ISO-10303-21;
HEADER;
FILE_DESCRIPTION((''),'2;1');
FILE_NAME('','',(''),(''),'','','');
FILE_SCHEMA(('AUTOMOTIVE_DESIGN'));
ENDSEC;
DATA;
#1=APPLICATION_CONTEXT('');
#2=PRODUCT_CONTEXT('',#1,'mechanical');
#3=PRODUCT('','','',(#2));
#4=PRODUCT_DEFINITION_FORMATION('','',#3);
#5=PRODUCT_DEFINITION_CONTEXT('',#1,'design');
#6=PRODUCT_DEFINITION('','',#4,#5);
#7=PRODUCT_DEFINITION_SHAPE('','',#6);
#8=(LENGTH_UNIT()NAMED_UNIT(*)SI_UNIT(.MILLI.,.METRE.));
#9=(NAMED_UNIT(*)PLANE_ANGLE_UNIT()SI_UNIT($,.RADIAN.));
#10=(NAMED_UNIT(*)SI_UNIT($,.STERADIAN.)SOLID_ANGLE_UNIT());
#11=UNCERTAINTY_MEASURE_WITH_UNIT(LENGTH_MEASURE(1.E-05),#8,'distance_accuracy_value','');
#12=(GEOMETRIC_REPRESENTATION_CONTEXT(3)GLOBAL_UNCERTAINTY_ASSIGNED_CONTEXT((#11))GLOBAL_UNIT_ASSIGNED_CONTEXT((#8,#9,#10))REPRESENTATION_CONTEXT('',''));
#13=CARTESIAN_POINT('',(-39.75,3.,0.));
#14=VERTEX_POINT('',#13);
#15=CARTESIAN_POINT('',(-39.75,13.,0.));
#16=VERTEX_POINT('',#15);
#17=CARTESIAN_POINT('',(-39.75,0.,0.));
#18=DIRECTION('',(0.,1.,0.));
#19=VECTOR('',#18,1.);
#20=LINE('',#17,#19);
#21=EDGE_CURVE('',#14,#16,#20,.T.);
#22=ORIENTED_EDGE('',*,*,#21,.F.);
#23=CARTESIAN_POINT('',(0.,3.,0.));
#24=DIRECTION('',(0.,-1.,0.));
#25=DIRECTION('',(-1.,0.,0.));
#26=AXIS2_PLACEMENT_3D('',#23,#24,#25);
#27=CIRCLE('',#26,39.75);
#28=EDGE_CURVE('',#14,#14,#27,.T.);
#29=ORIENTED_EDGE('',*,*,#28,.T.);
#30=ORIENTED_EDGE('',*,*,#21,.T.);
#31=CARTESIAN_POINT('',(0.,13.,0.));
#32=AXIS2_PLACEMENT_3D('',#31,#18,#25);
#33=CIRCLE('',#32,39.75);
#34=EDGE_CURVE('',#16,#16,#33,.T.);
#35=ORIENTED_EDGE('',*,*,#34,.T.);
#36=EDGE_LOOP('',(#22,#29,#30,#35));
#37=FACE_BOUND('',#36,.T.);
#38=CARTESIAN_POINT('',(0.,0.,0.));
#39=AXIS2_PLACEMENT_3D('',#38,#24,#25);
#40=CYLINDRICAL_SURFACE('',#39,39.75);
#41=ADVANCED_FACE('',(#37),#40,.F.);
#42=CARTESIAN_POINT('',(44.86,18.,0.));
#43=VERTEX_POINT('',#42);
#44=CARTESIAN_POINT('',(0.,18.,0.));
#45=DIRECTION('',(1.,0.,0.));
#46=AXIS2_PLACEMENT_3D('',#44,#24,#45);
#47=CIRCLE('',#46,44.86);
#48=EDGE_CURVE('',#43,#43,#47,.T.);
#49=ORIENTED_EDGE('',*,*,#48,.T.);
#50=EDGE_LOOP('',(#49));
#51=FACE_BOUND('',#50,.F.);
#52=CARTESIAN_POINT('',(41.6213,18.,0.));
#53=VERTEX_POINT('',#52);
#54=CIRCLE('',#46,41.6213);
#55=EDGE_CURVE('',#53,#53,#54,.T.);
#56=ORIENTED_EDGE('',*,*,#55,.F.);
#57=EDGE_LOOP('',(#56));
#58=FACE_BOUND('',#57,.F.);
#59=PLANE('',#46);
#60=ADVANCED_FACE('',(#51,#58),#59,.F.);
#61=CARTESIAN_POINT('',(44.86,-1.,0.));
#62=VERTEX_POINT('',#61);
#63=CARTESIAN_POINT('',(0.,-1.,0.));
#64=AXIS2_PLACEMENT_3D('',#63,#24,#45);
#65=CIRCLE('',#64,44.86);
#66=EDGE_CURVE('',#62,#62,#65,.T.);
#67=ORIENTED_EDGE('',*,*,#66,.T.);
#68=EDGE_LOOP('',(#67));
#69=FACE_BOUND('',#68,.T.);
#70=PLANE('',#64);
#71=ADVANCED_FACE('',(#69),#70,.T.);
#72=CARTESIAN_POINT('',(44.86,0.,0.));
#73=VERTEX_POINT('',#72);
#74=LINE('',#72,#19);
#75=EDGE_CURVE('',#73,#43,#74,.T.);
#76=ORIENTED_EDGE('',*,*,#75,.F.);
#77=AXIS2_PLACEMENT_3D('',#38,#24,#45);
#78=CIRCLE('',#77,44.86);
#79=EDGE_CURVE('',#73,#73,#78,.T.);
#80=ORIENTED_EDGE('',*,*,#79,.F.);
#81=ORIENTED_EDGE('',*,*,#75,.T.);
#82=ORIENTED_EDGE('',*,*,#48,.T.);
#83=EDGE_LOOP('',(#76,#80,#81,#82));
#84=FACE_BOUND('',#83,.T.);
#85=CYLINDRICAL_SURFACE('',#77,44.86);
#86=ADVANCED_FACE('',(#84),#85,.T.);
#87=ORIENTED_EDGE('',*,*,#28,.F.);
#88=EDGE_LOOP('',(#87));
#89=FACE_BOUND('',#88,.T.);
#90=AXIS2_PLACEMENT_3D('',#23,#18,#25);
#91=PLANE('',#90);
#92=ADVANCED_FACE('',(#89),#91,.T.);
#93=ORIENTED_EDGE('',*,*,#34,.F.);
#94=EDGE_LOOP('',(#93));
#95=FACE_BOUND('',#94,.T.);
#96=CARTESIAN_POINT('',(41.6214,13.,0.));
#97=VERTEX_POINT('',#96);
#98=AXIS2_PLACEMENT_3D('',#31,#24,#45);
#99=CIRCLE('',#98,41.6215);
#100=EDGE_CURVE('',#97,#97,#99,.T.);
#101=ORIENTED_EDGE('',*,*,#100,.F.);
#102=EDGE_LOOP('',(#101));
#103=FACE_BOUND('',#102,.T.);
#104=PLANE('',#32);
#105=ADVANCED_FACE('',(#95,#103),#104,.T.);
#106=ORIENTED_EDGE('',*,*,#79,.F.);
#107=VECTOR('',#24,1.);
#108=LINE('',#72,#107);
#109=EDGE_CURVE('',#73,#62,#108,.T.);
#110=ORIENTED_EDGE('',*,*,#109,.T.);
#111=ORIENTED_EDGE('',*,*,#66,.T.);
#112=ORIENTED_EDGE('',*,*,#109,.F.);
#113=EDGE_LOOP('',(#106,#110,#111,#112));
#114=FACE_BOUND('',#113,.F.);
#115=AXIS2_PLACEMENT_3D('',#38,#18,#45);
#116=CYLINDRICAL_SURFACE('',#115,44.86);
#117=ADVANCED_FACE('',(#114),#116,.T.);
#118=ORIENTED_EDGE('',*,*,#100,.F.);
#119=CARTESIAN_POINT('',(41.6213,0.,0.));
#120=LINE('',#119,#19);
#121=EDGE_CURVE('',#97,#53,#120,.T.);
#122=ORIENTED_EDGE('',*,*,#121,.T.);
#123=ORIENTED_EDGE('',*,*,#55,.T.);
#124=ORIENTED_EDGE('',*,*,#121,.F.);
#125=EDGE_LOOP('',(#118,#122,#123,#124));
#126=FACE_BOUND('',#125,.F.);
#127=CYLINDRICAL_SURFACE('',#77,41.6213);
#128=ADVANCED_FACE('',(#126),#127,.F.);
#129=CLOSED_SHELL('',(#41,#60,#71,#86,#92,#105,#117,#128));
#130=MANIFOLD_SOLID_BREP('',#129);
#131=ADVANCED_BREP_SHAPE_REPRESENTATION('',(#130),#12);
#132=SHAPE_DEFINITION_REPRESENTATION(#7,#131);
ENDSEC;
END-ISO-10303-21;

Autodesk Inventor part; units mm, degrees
ref_plane "YZ Plane" through (0, 0, 0) normal (1, 0, 0) x (0, 1, 0)
ref_plane "XZ Plane" through (0, 0, 0) normal (0, 1, 0) x (-1, 0, 0)
ref_plane "XY Plane" through (0, 0, 0) normal (0, 0, 1) x (1, 0, 0)
sketch "Sketch4" plane through (0, 0, 0) normal (0, 1, 0) x (-1, 0, 0)
  circle A0 centre (0, 0) radius 39.75
  circle A1 centre (0, 0) radius 41.6215
  circle A2 centre (0, 0) radius 41.6213
  dimension "d17" = 79.5
  dimension "d18" = 83.243
sketch "Sketch6" plane through (0, 0, 0) normal (0, 1, 0) x (-1, 0, 0)
  circle A0 centre (0, 0) radius 39.7618
extrude "Extrusion1" add sketch "Sketch6" along normal blind 3
extrude "Extrusion2" add sketch "Sketch4" along normal blind 13
sketch "Sketch7" plane through (0, 0, 0) normal (0, -1, 0) x (1, 0, 0)
  circle A0 centre (0, 0) radius 44.86
  circle A1 centre (0, 0) radius 41.6213
extrude "Extrusion3" add sketch "Sketch7" against normal blind 18
sketch "Sketch8" plane through (0, 0, 0) normal (0, -1, 0) x (1, 0, 0)
  circle A0 centre (0, 0) radius 44.86
extrude "Extrusion4" add sketch "Sketch8" along normal blind 1
properties part number "Soft Coating Gripper mold_10mil"
